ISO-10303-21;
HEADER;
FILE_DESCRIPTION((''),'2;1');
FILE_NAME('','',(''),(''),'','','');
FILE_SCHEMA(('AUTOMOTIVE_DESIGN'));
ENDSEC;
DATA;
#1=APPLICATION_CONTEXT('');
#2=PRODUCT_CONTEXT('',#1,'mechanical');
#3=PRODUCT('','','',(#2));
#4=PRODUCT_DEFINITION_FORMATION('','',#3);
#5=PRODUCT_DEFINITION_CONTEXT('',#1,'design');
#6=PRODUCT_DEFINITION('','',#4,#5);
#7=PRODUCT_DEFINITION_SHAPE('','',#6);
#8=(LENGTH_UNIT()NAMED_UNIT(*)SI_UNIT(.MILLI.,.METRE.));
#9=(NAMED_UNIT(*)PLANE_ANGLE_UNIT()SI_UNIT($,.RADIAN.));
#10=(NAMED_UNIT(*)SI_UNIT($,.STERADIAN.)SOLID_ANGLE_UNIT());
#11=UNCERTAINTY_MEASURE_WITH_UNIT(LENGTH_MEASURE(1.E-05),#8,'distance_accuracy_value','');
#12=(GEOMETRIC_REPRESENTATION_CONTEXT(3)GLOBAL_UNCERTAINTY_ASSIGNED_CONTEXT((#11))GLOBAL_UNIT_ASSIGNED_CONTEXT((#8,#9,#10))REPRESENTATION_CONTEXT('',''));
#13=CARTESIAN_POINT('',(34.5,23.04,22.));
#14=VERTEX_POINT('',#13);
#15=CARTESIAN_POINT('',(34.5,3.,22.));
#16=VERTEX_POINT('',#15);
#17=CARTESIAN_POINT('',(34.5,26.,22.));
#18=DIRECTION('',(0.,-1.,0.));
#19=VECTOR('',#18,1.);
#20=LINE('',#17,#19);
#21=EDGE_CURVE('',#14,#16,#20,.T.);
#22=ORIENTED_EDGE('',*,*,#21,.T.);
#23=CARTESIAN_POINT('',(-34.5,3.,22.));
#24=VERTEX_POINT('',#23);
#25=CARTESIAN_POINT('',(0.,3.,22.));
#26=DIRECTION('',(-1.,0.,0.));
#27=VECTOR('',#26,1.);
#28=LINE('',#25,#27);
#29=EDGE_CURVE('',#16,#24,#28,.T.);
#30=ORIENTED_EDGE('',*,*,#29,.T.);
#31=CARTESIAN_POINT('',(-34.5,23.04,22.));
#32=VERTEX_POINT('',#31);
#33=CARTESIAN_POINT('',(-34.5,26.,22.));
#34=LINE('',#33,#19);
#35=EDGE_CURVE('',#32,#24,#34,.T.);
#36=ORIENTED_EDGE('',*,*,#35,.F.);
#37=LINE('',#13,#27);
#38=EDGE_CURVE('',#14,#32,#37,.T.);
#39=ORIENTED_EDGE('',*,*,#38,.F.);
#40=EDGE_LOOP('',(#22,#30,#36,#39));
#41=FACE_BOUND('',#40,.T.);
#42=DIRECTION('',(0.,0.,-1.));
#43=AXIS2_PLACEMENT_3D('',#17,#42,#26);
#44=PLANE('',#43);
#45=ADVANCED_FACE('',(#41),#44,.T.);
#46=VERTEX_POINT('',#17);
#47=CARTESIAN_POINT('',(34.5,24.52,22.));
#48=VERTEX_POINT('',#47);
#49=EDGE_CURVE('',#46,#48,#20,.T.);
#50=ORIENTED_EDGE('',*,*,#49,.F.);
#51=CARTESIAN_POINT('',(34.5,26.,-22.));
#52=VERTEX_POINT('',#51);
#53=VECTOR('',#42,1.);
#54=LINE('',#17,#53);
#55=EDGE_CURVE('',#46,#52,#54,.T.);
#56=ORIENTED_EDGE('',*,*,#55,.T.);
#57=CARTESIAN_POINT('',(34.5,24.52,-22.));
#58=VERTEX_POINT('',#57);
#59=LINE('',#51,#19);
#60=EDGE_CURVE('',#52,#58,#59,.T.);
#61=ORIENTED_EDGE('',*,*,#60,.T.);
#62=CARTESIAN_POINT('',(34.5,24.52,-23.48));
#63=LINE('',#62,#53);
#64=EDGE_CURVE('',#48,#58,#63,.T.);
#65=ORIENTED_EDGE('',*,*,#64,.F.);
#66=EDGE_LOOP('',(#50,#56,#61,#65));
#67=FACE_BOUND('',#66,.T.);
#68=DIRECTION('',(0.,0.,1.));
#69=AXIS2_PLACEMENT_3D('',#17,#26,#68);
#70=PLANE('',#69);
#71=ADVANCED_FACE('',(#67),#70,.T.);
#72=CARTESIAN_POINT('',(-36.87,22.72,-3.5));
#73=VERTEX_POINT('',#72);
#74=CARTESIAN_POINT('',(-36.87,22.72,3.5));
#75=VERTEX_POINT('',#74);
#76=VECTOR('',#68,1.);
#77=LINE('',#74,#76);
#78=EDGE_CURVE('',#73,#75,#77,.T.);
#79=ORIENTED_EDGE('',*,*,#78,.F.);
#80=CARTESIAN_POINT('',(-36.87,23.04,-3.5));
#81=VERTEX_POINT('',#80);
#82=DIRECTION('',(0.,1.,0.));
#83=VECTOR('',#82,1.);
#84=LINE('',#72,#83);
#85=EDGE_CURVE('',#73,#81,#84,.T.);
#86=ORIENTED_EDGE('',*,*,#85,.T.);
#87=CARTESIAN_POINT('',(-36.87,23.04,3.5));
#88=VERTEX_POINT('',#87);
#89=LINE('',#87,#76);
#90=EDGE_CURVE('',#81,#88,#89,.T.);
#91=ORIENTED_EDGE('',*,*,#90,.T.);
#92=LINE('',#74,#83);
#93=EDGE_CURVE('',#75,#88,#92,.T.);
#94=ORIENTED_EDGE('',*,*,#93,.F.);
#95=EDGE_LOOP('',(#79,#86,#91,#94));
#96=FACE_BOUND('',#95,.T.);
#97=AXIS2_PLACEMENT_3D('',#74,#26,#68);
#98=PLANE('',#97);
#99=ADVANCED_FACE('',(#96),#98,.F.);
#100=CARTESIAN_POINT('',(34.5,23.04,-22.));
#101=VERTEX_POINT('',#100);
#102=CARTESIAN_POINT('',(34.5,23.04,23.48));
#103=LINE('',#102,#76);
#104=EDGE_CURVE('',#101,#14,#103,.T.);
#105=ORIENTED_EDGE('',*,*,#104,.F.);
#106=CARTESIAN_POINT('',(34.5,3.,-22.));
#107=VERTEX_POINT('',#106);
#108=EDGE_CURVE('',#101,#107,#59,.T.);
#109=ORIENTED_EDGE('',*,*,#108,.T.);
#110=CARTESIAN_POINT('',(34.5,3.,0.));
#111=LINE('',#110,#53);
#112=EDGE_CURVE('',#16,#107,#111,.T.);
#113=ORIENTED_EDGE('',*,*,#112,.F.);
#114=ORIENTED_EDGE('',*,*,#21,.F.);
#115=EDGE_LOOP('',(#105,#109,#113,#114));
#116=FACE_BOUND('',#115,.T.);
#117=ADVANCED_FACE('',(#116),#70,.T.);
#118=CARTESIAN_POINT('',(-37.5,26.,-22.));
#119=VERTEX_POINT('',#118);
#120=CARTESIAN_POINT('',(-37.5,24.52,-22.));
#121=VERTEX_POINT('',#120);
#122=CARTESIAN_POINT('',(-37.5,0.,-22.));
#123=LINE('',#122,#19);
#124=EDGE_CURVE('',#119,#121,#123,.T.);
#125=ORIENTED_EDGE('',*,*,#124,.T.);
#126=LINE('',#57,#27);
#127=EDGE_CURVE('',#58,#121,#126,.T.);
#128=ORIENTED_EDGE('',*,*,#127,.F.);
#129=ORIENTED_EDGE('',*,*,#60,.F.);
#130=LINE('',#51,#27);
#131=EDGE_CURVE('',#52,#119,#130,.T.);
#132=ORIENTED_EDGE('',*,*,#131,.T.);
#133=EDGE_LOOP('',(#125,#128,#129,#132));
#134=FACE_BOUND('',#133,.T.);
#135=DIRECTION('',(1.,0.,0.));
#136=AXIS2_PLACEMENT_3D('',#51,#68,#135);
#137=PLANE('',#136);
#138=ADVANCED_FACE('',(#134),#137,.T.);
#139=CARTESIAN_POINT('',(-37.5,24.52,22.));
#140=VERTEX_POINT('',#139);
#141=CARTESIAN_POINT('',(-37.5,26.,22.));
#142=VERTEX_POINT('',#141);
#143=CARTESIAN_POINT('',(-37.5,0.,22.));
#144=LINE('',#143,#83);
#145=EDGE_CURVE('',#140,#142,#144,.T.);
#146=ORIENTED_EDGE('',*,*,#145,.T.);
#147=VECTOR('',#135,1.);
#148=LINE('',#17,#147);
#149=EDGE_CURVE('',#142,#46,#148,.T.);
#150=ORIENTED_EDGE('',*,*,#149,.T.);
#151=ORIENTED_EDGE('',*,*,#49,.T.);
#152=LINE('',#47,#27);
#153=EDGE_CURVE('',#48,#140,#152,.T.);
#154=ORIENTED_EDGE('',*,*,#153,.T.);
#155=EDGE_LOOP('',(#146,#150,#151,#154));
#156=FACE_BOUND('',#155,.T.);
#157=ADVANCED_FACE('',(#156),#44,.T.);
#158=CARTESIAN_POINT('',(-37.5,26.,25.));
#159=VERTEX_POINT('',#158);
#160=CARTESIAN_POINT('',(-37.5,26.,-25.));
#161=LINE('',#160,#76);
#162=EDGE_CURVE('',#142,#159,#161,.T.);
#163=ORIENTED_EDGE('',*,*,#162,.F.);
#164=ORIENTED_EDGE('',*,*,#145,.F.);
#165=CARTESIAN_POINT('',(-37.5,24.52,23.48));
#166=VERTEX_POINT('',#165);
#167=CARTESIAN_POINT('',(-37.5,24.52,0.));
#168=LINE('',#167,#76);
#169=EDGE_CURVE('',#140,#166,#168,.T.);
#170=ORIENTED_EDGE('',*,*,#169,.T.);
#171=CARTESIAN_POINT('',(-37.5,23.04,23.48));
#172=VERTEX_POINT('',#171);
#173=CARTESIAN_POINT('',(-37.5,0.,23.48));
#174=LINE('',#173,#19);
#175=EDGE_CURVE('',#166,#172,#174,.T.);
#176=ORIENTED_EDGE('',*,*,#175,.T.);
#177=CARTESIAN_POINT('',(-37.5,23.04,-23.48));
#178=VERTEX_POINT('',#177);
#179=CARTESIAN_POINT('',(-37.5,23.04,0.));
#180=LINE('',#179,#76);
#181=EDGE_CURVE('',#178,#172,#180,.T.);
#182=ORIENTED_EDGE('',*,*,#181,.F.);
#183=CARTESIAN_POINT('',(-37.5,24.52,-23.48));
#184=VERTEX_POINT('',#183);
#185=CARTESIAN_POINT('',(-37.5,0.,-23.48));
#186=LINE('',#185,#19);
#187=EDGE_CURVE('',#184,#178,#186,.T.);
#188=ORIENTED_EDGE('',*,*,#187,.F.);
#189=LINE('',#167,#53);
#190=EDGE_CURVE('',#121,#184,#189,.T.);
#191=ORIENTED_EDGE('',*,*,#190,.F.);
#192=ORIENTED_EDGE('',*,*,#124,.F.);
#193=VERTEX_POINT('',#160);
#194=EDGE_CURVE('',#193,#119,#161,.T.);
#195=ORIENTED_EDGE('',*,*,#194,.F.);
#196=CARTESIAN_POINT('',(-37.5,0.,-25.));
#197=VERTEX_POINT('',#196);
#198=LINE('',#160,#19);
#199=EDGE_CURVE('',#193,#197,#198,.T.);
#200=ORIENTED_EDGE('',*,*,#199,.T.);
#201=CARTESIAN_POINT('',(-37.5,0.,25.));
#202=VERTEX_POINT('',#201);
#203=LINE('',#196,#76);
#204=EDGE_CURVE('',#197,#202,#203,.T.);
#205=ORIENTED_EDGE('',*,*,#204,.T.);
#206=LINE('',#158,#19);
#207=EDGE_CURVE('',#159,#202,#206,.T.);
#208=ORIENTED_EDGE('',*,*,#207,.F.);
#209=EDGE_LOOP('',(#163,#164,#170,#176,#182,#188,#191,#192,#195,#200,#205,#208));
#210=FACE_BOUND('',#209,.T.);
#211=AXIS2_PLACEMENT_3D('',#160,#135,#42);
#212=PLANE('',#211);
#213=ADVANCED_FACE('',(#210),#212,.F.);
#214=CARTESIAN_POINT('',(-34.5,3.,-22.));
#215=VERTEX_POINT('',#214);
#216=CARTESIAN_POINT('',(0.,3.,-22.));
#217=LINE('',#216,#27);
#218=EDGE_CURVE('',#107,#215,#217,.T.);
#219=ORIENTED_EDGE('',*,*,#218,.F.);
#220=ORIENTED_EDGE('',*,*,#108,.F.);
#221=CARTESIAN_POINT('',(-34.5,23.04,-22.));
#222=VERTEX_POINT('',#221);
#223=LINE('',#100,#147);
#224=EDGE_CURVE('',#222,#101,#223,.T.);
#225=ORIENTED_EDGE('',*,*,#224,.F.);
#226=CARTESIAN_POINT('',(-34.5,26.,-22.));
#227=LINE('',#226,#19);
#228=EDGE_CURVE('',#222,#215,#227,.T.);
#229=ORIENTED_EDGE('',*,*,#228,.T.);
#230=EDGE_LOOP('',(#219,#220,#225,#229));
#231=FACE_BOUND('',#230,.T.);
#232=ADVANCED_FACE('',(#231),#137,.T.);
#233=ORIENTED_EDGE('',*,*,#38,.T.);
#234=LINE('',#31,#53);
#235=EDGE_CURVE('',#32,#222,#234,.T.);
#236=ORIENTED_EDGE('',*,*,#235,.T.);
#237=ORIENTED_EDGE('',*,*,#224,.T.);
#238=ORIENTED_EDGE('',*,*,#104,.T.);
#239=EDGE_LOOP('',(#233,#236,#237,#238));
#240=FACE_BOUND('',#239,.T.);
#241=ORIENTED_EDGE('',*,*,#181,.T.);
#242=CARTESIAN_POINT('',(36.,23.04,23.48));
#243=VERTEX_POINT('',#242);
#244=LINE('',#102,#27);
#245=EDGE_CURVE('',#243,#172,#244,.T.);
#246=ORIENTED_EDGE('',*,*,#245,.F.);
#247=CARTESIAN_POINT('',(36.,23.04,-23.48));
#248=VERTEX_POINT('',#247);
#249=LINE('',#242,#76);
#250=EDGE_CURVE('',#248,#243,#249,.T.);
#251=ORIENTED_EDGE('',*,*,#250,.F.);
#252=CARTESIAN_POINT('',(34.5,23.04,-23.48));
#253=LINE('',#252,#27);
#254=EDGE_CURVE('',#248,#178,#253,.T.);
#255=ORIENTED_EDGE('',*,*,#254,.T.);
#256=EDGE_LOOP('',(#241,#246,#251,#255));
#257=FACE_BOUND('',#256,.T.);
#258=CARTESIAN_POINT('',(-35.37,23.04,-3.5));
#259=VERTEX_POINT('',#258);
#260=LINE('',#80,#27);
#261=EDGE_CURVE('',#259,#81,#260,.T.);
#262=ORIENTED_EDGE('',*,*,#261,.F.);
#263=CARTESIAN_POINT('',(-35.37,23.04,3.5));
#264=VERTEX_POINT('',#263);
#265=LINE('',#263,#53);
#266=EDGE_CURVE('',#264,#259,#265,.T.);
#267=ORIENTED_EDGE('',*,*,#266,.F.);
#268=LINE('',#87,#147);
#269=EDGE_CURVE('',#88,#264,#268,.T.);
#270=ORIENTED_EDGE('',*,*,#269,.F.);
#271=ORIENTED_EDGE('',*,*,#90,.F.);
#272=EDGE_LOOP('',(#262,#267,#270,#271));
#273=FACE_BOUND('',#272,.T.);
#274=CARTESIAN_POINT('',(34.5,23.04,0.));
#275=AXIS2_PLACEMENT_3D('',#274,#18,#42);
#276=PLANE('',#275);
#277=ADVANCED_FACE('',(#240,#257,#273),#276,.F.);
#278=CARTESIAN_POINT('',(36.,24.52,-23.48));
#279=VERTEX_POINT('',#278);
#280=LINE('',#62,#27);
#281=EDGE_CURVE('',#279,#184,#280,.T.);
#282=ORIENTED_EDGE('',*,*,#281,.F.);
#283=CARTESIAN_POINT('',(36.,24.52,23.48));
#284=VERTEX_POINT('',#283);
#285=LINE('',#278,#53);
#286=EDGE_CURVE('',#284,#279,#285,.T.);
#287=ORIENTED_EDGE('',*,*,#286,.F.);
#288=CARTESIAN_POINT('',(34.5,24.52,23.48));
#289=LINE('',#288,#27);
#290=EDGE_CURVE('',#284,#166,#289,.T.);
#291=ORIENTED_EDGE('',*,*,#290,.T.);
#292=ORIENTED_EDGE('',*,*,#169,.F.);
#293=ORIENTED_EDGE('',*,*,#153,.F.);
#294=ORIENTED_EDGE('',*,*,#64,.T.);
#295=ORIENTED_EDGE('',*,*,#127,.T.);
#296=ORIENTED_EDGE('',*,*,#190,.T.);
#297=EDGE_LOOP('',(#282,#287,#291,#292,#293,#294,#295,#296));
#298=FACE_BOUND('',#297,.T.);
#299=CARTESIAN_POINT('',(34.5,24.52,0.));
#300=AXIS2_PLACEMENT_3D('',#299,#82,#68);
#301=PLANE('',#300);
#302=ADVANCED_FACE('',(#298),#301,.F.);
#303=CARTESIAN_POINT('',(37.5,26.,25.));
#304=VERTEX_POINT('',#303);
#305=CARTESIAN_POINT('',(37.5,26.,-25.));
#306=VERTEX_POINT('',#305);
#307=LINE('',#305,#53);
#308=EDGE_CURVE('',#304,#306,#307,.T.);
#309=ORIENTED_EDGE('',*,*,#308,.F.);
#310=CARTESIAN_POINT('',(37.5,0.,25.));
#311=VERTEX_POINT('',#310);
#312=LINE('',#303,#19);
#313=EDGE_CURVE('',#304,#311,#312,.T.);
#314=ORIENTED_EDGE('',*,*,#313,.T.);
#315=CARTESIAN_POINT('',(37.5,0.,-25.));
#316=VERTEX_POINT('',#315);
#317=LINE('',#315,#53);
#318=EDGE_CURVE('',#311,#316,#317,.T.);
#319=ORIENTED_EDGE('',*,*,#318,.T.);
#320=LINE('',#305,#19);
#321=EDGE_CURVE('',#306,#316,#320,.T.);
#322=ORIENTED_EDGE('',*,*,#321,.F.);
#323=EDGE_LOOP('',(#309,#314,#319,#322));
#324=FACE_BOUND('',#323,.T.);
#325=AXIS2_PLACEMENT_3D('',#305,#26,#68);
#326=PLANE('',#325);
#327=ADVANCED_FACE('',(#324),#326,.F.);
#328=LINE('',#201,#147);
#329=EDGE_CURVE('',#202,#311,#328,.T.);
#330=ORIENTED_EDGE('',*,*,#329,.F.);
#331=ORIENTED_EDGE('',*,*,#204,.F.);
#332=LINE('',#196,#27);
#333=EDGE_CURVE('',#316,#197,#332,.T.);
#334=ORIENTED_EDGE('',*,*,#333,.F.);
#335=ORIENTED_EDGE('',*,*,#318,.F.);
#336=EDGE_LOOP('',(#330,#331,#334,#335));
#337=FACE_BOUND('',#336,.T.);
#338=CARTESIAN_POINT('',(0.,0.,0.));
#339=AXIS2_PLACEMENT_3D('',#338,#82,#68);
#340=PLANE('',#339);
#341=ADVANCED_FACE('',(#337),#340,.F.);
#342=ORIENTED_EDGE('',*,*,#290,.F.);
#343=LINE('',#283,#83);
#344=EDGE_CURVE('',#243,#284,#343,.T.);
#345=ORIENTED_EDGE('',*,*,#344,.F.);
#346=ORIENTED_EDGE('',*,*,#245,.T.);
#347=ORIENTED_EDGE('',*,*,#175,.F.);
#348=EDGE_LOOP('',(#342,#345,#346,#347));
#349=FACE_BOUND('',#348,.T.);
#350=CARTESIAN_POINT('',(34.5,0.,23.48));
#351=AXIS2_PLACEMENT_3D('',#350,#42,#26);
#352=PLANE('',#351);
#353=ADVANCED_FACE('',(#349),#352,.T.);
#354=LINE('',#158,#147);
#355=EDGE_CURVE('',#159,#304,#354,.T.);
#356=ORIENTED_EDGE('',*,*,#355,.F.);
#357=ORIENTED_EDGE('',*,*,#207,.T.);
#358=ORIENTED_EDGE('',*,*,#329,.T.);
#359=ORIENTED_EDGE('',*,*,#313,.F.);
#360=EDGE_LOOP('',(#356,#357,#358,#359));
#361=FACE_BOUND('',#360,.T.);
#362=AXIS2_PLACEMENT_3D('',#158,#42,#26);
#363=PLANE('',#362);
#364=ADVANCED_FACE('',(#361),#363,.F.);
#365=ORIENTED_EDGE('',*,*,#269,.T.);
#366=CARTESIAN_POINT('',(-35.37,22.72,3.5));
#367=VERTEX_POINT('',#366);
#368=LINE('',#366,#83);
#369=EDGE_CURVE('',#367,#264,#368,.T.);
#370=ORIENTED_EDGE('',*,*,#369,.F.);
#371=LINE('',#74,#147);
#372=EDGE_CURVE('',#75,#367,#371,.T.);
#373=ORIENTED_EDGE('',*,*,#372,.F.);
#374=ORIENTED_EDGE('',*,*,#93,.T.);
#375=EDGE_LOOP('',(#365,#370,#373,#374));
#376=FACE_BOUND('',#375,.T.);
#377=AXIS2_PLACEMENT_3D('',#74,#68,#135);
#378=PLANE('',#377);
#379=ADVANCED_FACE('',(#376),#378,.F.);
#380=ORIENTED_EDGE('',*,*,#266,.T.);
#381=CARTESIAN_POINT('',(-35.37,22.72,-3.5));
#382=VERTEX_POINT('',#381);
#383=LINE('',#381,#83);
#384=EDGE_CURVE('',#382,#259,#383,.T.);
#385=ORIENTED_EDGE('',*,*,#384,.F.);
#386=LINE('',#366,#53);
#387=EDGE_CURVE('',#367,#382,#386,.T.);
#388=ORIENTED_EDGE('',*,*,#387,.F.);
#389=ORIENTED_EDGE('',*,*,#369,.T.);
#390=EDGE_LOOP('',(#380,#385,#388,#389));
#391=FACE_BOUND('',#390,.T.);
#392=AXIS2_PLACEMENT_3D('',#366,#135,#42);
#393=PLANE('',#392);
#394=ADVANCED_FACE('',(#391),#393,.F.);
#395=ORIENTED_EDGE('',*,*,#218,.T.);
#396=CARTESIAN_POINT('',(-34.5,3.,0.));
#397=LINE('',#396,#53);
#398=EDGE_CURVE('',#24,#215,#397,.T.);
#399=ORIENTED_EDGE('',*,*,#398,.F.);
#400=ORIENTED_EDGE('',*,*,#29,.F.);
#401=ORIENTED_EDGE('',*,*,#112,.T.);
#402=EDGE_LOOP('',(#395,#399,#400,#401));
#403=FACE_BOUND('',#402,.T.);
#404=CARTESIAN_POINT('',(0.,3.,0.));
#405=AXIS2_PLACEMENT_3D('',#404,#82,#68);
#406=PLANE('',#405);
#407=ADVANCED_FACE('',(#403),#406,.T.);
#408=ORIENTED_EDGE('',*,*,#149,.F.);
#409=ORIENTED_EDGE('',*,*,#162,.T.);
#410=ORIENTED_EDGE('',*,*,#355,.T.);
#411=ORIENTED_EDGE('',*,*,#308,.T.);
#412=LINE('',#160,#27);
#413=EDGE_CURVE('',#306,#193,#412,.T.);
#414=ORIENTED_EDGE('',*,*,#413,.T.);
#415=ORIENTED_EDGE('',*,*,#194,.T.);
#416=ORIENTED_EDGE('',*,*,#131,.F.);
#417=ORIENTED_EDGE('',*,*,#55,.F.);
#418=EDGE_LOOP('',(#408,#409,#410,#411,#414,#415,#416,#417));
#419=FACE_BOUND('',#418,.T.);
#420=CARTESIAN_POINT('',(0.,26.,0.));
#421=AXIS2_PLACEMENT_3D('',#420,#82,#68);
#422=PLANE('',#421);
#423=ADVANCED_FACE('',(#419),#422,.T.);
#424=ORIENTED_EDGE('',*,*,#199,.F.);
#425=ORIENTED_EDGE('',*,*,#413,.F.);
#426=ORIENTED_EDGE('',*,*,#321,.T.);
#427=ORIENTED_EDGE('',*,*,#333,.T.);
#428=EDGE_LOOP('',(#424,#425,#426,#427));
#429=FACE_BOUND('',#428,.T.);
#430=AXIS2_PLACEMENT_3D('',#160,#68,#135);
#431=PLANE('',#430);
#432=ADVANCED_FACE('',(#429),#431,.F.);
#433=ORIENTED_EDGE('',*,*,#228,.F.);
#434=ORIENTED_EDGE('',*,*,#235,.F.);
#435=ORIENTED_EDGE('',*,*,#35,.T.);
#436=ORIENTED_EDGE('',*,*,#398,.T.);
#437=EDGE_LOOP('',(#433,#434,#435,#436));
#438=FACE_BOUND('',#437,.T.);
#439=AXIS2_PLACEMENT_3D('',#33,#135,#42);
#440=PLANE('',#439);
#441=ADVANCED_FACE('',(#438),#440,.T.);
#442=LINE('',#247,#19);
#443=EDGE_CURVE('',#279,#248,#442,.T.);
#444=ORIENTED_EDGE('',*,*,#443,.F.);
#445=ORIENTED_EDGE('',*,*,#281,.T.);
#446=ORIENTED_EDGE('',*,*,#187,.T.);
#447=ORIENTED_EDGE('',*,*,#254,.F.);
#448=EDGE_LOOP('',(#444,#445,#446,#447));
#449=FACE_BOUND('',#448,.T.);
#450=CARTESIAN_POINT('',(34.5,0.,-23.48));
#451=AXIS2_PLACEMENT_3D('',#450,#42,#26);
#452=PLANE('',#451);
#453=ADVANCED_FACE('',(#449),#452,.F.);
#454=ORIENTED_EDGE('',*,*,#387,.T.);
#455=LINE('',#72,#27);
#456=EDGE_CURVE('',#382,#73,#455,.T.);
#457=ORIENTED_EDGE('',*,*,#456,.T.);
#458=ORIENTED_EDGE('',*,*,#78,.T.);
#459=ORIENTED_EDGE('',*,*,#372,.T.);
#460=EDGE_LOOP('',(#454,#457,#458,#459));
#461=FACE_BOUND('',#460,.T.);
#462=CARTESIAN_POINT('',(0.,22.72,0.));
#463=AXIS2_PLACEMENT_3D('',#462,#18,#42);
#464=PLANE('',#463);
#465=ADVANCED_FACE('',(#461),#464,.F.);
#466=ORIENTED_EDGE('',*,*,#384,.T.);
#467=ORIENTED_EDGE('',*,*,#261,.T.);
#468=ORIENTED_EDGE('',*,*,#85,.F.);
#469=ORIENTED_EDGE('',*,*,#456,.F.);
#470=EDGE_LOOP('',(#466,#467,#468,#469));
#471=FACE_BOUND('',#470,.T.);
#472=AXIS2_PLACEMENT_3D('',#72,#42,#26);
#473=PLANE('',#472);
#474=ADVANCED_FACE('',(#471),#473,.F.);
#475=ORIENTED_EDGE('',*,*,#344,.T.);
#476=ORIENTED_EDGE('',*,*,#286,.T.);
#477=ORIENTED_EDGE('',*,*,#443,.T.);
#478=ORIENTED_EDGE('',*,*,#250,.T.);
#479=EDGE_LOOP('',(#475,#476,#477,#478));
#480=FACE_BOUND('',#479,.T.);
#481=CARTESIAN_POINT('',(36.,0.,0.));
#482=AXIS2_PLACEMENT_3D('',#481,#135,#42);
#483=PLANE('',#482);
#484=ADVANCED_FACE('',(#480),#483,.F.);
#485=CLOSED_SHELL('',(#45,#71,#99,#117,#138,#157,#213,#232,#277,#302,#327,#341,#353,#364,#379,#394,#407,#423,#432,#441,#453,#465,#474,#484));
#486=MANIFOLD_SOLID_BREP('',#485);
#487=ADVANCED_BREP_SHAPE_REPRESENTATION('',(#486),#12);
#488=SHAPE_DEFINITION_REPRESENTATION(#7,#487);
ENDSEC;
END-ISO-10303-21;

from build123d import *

# Parameters (mm, degrees)
CROQUIS1_W              = 75
CROQUIS1_H              = 50
CROQUIS1_W_2            = 69
CROQUIS1_H_2            = 44
SALIENTE_EXTRUIR1_DEPTH = 26
CROQUIS1_2_W            = 69
CROQUIS1_2_H            = 44
SALIENTE_EXTRUIR2_DEPTH = 3
CORTAR_EXTRUIR1_DEPTH   = 72
CROQUIS4_W              = 46.96
CROQUIS4_H              = 1.48
CORTAR_EXTRUIR2_DEPTH   = 1.5
CROQUIS7_W              = 1.5
CROQUIS7_H              = 7
CORTAR_EXTRUIR3_DEPTH   = 0.32


with BuildPart() as part:
    # Croquis1 → Saliente-Extruir1 (new body)
    with BuildSketch(Plane(origin=(0, 0, 0), x_dir=(1, 0, 0), z_dir=(0, 1, 0))):
        Rectangle(CROQUIS1_W, CROQUIS1_H)
        Rectangle(CROQUIS1_W_2, CROQUIS1_H_2, mode=Mode.SUBTRACT)
    extrude(amount=SALIENTE_EXTRUIR1_DEPTH)

    # Croquis1<2> → Saliente-Extruir2 (add)
    with BuildSketch(Plane(origin=(0, 0, 0), x_dir=(1, 0, 0), z_dir=(0, 1, 0))):
        Rectangle(CROQUIS1_2_W, CROQUIS1_2_H)
    extrude(amount=SALIENTE_EXTRUIR2_DEPTH)

    # Croquis3 → Cortar-Extruir1 (cut)
    with BuildSketch(Plane.ZY.offset(37.5)):
        Polygon((22, 26), (-22, 26), (-22, 24.52), (-23.48, 24.52), (-23.48, 23.04), (23.48, 23.04), (23.48, 24.52), (22, 24.52), align=None)
    extrude(amount=-CORTAR_EXTRUIR1_DEPTH, mode=Mode.SUBTRACT)

    # Croquis4 → Cortar-Extruir2 (cut)
    with BuildSketch(Plane.ZY.offset(-34.5)):
        with Locations((0, 23.78)):
            Rectangle(CROQUIS4_W, CROQUIS4_H)
    extrude(amount=-CORTAR_EXTRUIR2_DEPTH, mode=Mode.SUBTRACT)

    # Croquis7 → Cortar-Extruir3 (cut)
    with BuildSketch(Plane(origin=(0, 23.04, 0), x_dir=(1, 0, 0), z_dir=(0, 1, 0))):
        with Locations((-36.12, 0)):
            Rectangle(CROQUIS7_W, CROQUIS7_H)
    extrude(amount=-CORTAR_EXTRUIR3_DEPTH, mode=Mode.SUBTRACT)


solid = part.part
